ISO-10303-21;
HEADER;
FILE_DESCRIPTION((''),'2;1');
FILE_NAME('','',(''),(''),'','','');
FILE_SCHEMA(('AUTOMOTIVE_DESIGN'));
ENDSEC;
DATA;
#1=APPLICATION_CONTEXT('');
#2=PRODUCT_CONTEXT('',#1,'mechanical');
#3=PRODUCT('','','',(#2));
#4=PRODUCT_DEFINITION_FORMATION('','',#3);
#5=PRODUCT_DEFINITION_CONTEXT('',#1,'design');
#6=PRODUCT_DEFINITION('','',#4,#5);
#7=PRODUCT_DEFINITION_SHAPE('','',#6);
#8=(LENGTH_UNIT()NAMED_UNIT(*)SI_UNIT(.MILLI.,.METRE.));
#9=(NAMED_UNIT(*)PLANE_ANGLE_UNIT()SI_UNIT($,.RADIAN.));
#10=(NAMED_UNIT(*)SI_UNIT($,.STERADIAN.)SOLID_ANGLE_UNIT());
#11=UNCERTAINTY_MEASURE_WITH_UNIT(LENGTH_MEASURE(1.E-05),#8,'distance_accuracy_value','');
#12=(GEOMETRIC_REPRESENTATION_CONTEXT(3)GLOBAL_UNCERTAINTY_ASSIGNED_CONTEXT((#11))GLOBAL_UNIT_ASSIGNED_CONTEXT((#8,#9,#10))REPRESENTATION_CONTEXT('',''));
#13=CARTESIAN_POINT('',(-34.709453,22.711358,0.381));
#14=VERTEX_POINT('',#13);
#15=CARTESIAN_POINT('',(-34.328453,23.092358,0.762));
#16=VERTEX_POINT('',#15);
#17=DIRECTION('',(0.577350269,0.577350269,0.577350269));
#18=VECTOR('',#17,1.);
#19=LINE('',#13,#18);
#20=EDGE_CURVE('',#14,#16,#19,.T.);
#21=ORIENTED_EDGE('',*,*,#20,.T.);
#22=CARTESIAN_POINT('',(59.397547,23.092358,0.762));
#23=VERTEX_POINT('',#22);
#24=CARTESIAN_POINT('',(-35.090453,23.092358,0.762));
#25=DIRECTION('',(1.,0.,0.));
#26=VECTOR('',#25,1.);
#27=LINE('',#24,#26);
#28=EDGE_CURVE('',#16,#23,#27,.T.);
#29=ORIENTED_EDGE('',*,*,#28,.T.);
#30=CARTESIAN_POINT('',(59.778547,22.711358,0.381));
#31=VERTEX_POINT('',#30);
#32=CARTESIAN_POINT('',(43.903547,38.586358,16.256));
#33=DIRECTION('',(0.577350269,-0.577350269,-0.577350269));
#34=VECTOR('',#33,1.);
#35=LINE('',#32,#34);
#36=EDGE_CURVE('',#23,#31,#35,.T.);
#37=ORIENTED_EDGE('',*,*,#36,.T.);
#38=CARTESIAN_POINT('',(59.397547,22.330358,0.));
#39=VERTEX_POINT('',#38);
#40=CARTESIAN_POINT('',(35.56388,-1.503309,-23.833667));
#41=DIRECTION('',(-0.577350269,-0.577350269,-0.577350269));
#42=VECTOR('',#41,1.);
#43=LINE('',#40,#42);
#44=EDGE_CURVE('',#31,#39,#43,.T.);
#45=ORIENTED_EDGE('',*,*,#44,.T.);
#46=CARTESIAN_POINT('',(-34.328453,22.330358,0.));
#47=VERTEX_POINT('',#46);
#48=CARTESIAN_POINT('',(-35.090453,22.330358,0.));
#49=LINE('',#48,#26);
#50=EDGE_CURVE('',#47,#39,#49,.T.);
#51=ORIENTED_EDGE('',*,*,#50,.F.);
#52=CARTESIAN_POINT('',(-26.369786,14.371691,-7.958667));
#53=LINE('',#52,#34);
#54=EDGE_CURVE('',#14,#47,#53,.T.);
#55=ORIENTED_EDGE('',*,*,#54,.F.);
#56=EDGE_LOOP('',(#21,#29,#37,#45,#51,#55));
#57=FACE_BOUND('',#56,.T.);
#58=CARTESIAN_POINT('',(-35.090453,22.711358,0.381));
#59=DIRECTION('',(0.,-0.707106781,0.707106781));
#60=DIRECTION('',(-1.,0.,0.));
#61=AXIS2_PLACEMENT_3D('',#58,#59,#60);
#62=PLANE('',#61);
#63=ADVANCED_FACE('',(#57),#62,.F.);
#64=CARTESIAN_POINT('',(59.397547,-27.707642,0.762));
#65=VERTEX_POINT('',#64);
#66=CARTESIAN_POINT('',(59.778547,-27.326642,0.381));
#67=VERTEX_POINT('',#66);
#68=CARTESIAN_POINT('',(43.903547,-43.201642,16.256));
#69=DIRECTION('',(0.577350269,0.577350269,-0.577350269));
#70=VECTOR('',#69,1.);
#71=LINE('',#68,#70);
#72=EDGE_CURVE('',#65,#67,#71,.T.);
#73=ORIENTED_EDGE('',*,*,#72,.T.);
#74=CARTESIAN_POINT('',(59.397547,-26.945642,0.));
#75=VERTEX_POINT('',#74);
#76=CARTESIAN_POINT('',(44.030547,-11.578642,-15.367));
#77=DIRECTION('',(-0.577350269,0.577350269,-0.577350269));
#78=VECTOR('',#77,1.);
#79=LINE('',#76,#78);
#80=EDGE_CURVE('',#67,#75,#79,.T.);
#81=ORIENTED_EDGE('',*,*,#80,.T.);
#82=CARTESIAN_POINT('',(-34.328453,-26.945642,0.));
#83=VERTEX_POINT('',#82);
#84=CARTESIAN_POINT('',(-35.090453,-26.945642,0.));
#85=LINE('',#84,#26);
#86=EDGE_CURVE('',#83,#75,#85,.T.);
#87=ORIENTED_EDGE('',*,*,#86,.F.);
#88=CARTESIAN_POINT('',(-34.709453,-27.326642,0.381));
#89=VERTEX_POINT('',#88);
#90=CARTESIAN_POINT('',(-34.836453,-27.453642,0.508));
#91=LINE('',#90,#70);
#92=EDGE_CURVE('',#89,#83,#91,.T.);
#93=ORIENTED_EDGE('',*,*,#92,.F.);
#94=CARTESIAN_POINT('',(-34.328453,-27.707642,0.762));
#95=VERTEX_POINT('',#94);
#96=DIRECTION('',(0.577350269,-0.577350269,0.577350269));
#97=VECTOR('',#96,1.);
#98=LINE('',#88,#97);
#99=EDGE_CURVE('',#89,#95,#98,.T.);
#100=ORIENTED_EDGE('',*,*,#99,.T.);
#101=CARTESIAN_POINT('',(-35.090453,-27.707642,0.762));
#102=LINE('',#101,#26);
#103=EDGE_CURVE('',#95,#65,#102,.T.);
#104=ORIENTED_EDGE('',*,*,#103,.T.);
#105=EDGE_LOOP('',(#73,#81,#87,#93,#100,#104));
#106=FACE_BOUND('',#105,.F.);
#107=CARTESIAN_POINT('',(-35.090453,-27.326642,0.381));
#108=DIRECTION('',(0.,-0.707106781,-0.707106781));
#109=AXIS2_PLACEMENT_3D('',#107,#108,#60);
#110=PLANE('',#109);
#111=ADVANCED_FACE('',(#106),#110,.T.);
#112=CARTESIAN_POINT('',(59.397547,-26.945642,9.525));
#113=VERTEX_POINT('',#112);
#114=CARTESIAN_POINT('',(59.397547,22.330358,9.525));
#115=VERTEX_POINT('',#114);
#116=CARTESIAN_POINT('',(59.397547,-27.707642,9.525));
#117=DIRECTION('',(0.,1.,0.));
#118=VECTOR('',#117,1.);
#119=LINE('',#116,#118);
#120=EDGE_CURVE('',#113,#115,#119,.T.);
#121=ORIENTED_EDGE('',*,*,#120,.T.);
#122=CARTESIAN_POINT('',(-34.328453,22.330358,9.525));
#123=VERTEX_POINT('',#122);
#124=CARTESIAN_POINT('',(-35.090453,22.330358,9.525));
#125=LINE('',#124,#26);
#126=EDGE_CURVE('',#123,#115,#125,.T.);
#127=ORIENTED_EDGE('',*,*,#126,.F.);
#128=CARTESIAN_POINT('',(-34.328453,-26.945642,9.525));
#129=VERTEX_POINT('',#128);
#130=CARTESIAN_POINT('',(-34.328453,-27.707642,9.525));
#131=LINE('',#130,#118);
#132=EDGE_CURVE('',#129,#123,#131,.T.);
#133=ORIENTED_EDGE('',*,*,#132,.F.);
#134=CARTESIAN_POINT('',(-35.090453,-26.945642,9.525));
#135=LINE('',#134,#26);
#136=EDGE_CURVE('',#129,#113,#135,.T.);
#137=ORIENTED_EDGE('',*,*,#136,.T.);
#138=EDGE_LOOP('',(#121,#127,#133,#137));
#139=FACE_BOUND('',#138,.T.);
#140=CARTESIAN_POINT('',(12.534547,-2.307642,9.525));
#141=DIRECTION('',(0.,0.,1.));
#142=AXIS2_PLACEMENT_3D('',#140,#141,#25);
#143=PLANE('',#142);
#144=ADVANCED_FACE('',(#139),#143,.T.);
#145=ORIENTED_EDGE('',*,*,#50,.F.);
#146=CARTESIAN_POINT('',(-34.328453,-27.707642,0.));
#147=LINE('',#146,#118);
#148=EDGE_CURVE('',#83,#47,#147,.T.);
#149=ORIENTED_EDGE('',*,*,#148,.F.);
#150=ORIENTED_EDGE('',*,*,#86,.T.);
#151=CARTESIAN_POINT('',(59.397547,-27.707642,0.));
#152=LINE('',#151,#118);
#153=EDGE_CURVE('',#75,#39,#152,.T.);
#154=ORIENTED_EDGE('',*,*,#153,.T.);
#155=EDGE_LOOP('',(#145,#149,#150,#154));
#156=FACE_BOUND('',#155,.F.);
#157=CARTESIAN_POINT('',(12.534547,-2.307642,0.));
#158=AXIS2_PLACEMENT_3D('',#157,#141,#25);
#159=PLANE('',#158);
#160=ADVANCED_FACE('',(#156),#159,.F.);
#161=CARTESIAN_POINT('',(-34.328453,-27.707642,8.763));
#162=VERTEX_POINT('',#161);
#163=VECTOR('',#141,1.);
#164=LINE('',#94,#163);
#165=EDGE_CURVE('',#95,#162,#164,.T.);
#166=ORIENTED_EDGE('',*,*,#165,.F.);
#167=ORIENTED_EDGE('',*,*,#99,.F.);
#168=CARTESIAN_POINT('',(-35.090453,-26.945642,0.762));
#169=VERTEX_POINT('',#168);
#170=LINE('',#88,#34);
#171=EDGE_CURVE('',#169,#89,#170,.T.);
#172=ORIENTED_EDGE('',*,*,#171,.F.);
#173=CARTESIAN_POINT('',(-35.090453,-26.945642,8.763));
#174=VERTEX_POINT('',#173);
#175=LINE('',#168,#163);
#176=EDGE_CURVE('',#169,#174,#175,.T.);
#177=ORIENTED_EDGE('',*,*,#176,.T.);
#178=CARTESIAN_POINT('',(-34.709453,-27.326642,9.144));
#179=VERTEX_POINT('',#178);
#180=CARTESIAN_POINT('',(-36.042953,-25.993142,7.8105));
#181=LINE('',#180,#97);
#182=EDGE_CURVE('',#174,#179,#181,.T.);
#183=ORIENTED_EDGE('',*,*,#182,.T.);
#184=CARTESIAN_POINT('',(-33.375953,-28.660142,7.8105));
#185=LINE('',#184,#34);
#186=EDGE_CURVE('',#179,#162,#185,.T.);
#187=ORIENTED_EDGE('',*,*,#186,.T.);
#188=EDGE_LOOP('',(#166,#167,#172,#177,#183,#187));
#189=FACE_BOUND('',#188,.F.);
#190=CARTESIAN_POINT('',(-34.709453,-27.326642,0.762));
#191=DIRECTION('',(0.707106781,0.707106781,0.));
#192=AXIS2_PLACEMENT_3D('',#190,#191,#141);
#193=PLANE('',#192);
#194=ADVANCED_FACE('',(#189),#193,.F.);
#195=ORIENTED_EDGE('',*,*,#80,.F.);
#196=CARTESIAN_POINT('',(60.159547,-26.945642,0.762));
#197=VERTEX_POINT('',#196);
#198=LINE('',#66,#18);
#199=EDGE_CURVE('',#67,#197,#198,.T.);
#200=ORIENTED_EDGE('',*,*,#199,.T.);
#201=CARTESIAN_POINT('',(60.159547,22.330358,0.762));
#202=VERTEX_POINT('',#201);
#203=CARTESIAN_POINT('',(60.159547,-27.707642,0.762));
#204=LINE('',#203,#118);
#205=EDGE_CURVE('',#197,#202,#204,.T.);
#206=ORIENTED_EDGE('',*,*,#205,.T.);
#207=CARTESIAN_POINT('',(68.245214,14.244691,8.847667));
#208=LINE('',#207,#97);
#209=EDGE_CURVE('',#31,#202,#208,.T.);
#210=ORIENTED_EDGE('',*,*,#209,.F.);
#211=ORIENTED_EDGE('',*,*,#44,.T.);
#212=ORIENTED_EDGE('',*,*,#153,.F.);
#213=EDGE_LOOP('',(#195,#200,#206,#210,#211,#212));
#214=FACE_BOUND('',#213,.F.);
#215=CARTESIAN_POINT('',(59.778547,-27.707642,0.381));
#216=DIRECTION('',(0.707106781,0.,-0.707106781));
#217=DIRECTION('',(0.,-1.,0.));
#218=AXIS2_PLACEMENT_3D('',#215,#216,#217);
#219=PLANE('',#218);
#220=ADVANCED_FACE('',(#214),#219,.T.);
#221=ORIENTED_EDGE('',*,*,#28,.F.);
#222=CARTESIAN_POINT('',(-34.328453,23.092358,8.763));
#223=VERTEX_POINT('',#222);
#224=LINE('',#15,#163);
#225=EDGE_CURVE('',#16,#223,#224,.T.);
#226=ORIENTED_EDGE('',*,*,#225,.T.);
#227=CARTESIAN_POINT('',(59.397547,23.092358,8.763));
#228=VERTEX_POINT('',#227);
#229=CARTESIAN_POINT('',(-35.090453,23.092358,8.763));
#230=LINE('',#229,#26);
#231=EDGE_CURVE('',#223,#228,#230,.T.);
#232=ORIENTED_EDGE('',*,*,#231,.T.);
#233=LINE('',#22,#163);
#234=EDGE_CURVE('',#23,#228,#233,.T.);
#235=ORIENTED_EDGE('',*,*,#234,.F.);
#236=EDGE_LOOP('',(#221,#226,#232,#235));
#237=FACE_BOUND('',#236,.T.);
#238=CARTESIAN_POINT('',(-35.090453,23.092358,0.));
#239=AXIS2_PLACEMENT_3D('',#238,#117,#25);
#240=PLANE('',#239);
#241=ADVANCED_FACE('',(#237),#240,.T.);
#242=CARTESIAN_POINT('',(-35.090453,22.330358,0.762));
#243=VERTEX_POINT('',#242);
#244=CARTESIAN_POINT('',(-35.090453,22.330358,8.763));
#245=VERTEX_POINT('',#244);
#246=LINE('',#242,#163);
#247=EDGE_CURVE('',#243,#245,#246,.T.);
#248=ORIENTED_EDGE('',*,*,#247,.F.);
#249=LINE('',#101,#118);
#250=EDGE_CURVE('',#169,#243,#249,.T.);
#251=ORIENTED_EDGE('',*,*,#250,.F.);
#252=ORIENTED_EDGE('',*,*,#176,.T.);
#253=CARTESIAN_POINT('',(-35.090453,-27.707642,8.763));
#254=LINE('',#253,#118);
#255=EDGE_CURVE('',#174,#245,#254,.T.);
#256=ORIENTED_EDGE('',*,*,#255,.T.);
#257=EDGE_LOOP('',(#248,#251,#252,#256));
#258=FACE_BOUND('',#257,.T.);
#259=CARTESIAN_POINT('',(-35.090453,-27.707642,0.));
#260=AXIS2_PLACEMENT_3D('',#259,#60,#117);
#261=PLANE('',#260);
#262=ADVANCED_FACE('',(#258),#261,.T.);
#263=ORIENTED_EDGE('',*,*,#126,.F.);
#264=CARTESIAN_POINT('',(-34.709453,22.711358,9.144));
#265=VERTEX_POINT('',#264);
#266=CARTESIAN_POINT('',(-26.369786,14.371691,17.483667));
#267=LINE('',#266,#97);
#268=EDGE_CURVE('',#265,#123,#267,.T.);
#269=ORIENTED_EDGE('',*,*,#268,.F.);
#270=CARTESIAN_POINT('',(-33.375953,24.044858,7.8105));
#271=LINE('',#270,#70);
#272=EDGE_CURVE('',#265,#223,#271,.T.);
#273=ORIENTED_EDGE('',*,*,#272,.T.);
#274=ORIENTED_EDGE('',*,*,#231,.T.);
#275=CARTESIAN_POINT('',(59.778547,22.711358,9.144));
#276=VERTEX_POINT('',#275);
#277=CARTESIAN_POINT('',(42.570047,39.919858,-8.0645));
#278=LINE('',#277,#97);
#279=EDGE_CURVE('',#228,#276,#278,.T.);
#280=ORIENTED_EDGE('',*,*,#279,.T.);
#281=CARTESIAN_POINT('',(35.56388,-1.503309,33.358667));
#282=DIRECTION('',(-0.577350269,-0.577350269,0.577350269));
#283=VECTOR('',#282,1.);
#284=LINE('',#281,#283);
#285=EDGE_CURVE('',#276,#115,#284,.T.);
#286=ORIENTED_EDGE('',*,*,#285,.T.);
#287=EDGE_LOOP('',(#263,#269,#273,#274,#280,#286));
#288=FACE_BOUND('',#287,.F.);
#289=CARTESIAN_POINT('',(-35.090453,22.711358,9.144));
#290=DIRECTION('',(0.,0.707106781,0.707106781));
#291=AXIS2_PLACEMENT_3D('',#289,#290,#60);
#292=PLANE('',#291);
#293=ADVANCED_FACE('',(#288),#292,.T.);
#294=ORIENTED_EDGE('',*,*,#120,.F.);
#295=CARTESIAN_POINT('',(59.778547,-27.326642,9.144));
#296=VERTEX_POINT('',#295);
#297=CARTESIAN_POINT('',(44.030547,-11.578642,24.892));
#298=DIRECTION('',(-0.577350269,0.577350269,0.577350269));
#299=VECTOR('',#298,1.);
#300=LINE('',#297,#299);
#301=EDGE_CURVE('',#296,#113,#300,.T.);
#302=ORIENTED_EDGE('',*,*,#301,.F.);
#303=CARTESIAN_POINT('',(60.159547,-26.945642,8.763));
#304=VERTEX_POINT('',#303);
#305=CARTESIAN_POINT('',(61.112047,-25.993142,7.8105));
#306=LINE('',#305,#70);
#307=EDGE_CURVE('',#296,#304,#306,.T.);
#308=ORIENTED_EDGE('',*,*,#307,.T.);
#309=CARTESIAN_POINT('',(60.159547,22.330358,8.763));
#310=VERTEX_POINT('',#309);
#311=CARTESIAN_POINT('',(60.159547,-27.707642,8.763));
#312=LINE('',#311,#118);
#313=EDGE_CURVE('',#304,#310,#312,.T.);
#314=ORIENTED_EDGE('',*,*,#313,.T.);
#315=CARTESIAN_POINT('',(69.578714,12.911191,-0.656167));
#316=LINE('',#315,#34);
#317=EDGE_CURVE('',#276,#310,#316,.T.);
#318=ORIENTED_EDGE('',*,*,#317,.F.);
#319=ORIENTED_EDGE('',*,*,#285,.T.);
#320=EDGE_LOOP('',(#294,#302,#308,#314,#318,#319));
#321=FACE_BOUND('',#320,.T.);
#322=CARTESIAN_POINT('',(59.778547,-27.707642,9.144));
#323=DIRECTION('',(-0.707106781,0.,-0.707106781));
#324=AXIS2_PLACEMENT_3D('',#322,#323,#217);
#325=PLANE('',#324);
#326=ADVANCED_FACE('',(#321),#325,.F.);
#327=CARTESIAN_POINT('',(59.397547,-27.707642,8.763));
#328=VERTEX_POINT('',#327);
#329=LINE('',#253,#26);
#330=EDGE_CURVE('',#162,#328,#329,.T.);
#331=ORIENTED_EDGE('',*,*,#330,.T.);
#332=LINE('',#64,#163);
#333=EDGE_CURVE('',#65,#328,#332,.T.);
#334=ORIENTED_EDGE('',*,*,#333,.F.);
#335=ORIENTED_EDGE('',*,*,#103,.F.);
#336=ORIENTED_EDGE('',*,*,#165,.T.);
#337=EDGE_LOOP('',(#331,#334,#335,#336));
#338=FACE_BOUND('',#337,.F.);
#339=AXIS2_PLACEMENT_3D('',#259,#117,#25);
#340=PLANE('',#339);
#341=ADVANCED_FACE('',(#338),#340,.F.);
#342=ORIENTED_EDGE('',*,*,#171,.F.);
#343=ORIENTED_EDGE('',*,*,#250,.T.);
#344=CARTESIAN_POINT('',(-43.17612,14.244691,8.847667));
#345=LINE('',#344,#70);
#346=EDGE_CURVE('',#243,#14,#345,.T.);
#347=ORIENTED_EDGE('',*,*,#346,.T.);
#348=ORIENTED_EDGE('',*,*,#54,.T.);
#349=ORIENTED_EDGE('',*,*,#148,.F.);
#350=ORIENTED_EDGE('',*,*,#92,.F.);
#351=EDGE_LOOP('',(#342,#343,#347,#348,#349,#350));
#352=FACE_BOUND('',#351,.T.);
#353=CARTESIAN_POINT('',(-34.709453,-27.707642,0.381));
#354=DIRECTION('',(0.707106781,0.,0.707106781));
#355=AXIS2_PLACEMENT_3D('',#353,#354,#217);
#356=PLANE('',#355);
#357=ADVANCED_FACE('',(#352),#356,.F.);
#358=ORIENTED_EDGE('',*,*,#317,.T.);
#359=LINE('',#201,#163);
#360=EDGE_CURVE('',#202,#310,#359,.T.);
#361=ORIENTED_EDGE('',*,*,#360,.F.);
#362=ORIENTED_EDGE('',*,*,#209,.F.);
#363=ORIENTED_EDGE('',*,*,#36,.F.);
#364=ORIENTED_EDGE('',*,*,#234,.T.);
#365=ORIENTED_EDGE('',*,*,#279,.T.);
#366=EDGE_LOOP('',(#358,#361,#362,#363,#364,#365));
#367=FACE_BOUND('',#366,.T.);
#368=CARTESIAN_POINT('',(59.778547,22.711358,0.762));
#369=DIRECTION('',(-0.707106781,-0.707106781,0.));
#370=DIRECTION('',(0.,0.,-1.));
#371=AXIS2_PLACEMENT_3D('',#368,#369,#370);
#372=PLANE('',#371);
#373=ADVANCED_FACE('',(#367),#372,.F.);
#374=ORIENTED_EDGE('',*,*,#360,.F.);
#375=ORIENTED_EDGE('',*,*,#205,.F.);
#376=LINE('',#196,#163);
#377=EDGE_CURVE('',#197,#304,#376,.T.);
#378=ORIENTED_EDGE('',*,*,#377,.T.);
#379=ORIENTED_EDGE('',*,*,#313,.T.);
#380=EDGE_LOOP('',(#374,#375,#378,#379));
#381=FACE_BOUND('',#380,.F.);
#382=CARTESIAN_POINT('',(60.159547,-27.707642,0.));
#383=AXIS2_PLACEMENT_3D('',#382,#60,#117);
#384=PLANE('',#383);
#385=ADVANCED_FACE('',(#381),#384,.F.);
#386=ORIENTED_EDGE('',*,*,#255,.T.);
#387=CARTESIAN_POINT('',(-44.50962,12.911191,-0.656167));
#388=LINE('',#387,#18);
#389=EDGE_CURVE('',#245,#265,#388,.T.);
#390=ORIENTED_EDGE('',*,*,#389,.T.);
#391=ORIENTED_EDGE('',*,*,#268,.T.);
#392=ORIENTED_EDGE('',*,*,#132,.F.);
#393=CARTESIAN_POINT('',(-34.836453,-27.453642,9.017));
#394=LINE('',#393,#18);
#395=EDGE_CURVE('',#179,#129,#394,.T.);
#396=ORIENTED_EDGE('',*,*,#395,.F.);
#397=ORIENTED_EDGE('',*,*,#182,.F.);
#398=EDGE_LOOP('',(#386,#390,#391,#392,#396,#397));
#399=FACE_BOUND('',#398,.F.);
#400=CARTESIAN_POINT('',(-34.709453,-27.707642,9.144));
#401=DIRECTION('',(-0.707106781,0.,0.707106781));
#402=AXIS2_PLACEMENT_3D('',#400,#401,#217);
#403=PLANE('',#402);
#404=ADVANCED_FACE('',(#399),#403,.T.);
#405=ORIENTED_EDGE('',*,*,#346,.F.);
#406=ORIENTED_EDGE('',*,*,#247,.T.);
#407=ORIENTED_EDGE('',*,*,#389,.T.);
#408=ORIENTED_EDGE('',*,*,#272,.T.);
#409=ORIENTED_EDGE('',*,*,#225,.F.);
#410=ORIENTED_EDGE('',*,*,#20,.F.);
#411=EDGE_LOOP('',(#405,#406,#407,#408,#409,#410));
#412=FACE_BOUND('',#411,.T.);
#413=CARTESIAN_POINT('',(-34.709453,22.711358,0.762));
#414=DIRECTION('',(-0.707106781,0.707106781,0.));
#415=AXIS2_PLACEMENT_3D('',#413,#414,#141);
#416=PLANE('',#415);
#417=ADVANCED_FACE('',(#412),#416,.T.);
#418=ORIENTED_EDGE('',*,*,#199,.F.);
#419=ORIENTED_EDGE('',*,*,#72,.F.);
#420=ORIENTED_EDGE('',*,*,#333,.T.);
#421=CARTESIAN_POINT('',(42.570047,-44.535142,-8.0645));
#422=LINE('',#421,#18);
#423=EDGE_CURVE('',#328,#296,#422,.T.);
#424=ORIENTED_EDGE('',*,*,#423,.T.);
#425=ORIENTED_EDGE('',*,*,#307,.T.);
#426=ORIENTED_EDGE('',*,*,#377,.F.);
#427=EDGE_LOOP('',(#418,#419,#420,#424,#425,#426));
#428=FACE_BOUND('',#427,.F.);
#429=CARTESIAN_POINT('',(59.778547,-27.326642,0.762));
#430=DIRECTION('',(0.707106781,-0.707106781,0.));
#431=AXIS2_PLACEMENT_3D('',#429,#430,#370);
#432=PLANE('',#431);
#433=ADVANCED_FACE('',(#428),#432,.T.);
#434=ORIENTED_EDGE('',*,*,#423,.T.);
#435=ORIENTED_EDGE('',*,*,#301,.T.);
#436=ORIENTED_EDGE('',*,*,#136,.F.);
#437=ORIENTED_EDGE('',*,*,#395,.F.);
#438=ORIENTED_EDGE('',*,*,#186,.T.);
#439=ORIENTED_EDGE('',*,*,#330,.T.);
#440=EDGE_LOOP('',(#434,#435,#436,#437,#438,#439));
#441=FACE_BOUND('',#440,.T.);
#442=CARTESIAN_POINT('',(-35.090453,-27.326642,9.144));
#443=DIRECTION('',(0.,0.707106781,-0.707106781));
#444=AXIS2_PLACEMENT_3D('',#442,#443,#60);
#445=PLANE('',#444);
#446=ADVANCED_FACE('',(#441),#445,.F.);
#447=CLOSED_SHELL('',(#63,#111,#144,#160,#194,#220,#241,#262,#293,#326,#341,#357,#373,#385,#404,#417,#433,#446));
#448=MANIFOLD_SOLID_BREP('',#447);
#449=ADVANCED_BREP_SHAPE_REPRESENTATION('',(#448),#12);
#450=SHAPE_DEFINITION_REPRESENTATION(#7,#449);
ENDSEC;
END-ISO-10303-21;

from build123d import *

# Parameters (mm, degrees)
F0_W     = 95.25
F0_H     = 50.8
F1_DEPTH = 9.525
F2_SIZE  = 0.762
F3_SIZE  = 0.762


with BuildPart() as f1:
    # F0 (on Top) → F1 (new body)
    with BuildSketch(Plane.XY):
        with Locations((12.534547, -2.307642)):
            Rectangle(F0_W, F0_H)
    extrude(amount=F1_DEPTH)

    # F2
    f2_edges = [f1.edges().sort_by_distance(p)[0] for p in [
        (-35.090453, -2.307642, 9.525),
        (12.534547, -27.707642, 9.525),
        (60.159547, -2.307642, 9.525),
        (12.534547, 23.092358, 9.525),
        (-35.090453, -2.307642, 0),
        (12.534547, -27.707642, 0),
        (60.159547, -2.307642, 0),
        (12.534547, 23.092358, 0),
    ]]
    chamfer(f2_edges, length=F2_SIZE)

    # F3
    f3_edges = [f1.edges().sort_by_distance(p)[0] for p in [
        (60.159547, -27.707642, 4.7625),
        (-35.090453, -27.707642, 4.7625),
        (60.159547, 23.092358, 4.7625),
        (-35.090453, 23.092358, 4.7625),
    ]]
    chamfer(f3_edges, length=F3_SIZE)


solid = f1.part
